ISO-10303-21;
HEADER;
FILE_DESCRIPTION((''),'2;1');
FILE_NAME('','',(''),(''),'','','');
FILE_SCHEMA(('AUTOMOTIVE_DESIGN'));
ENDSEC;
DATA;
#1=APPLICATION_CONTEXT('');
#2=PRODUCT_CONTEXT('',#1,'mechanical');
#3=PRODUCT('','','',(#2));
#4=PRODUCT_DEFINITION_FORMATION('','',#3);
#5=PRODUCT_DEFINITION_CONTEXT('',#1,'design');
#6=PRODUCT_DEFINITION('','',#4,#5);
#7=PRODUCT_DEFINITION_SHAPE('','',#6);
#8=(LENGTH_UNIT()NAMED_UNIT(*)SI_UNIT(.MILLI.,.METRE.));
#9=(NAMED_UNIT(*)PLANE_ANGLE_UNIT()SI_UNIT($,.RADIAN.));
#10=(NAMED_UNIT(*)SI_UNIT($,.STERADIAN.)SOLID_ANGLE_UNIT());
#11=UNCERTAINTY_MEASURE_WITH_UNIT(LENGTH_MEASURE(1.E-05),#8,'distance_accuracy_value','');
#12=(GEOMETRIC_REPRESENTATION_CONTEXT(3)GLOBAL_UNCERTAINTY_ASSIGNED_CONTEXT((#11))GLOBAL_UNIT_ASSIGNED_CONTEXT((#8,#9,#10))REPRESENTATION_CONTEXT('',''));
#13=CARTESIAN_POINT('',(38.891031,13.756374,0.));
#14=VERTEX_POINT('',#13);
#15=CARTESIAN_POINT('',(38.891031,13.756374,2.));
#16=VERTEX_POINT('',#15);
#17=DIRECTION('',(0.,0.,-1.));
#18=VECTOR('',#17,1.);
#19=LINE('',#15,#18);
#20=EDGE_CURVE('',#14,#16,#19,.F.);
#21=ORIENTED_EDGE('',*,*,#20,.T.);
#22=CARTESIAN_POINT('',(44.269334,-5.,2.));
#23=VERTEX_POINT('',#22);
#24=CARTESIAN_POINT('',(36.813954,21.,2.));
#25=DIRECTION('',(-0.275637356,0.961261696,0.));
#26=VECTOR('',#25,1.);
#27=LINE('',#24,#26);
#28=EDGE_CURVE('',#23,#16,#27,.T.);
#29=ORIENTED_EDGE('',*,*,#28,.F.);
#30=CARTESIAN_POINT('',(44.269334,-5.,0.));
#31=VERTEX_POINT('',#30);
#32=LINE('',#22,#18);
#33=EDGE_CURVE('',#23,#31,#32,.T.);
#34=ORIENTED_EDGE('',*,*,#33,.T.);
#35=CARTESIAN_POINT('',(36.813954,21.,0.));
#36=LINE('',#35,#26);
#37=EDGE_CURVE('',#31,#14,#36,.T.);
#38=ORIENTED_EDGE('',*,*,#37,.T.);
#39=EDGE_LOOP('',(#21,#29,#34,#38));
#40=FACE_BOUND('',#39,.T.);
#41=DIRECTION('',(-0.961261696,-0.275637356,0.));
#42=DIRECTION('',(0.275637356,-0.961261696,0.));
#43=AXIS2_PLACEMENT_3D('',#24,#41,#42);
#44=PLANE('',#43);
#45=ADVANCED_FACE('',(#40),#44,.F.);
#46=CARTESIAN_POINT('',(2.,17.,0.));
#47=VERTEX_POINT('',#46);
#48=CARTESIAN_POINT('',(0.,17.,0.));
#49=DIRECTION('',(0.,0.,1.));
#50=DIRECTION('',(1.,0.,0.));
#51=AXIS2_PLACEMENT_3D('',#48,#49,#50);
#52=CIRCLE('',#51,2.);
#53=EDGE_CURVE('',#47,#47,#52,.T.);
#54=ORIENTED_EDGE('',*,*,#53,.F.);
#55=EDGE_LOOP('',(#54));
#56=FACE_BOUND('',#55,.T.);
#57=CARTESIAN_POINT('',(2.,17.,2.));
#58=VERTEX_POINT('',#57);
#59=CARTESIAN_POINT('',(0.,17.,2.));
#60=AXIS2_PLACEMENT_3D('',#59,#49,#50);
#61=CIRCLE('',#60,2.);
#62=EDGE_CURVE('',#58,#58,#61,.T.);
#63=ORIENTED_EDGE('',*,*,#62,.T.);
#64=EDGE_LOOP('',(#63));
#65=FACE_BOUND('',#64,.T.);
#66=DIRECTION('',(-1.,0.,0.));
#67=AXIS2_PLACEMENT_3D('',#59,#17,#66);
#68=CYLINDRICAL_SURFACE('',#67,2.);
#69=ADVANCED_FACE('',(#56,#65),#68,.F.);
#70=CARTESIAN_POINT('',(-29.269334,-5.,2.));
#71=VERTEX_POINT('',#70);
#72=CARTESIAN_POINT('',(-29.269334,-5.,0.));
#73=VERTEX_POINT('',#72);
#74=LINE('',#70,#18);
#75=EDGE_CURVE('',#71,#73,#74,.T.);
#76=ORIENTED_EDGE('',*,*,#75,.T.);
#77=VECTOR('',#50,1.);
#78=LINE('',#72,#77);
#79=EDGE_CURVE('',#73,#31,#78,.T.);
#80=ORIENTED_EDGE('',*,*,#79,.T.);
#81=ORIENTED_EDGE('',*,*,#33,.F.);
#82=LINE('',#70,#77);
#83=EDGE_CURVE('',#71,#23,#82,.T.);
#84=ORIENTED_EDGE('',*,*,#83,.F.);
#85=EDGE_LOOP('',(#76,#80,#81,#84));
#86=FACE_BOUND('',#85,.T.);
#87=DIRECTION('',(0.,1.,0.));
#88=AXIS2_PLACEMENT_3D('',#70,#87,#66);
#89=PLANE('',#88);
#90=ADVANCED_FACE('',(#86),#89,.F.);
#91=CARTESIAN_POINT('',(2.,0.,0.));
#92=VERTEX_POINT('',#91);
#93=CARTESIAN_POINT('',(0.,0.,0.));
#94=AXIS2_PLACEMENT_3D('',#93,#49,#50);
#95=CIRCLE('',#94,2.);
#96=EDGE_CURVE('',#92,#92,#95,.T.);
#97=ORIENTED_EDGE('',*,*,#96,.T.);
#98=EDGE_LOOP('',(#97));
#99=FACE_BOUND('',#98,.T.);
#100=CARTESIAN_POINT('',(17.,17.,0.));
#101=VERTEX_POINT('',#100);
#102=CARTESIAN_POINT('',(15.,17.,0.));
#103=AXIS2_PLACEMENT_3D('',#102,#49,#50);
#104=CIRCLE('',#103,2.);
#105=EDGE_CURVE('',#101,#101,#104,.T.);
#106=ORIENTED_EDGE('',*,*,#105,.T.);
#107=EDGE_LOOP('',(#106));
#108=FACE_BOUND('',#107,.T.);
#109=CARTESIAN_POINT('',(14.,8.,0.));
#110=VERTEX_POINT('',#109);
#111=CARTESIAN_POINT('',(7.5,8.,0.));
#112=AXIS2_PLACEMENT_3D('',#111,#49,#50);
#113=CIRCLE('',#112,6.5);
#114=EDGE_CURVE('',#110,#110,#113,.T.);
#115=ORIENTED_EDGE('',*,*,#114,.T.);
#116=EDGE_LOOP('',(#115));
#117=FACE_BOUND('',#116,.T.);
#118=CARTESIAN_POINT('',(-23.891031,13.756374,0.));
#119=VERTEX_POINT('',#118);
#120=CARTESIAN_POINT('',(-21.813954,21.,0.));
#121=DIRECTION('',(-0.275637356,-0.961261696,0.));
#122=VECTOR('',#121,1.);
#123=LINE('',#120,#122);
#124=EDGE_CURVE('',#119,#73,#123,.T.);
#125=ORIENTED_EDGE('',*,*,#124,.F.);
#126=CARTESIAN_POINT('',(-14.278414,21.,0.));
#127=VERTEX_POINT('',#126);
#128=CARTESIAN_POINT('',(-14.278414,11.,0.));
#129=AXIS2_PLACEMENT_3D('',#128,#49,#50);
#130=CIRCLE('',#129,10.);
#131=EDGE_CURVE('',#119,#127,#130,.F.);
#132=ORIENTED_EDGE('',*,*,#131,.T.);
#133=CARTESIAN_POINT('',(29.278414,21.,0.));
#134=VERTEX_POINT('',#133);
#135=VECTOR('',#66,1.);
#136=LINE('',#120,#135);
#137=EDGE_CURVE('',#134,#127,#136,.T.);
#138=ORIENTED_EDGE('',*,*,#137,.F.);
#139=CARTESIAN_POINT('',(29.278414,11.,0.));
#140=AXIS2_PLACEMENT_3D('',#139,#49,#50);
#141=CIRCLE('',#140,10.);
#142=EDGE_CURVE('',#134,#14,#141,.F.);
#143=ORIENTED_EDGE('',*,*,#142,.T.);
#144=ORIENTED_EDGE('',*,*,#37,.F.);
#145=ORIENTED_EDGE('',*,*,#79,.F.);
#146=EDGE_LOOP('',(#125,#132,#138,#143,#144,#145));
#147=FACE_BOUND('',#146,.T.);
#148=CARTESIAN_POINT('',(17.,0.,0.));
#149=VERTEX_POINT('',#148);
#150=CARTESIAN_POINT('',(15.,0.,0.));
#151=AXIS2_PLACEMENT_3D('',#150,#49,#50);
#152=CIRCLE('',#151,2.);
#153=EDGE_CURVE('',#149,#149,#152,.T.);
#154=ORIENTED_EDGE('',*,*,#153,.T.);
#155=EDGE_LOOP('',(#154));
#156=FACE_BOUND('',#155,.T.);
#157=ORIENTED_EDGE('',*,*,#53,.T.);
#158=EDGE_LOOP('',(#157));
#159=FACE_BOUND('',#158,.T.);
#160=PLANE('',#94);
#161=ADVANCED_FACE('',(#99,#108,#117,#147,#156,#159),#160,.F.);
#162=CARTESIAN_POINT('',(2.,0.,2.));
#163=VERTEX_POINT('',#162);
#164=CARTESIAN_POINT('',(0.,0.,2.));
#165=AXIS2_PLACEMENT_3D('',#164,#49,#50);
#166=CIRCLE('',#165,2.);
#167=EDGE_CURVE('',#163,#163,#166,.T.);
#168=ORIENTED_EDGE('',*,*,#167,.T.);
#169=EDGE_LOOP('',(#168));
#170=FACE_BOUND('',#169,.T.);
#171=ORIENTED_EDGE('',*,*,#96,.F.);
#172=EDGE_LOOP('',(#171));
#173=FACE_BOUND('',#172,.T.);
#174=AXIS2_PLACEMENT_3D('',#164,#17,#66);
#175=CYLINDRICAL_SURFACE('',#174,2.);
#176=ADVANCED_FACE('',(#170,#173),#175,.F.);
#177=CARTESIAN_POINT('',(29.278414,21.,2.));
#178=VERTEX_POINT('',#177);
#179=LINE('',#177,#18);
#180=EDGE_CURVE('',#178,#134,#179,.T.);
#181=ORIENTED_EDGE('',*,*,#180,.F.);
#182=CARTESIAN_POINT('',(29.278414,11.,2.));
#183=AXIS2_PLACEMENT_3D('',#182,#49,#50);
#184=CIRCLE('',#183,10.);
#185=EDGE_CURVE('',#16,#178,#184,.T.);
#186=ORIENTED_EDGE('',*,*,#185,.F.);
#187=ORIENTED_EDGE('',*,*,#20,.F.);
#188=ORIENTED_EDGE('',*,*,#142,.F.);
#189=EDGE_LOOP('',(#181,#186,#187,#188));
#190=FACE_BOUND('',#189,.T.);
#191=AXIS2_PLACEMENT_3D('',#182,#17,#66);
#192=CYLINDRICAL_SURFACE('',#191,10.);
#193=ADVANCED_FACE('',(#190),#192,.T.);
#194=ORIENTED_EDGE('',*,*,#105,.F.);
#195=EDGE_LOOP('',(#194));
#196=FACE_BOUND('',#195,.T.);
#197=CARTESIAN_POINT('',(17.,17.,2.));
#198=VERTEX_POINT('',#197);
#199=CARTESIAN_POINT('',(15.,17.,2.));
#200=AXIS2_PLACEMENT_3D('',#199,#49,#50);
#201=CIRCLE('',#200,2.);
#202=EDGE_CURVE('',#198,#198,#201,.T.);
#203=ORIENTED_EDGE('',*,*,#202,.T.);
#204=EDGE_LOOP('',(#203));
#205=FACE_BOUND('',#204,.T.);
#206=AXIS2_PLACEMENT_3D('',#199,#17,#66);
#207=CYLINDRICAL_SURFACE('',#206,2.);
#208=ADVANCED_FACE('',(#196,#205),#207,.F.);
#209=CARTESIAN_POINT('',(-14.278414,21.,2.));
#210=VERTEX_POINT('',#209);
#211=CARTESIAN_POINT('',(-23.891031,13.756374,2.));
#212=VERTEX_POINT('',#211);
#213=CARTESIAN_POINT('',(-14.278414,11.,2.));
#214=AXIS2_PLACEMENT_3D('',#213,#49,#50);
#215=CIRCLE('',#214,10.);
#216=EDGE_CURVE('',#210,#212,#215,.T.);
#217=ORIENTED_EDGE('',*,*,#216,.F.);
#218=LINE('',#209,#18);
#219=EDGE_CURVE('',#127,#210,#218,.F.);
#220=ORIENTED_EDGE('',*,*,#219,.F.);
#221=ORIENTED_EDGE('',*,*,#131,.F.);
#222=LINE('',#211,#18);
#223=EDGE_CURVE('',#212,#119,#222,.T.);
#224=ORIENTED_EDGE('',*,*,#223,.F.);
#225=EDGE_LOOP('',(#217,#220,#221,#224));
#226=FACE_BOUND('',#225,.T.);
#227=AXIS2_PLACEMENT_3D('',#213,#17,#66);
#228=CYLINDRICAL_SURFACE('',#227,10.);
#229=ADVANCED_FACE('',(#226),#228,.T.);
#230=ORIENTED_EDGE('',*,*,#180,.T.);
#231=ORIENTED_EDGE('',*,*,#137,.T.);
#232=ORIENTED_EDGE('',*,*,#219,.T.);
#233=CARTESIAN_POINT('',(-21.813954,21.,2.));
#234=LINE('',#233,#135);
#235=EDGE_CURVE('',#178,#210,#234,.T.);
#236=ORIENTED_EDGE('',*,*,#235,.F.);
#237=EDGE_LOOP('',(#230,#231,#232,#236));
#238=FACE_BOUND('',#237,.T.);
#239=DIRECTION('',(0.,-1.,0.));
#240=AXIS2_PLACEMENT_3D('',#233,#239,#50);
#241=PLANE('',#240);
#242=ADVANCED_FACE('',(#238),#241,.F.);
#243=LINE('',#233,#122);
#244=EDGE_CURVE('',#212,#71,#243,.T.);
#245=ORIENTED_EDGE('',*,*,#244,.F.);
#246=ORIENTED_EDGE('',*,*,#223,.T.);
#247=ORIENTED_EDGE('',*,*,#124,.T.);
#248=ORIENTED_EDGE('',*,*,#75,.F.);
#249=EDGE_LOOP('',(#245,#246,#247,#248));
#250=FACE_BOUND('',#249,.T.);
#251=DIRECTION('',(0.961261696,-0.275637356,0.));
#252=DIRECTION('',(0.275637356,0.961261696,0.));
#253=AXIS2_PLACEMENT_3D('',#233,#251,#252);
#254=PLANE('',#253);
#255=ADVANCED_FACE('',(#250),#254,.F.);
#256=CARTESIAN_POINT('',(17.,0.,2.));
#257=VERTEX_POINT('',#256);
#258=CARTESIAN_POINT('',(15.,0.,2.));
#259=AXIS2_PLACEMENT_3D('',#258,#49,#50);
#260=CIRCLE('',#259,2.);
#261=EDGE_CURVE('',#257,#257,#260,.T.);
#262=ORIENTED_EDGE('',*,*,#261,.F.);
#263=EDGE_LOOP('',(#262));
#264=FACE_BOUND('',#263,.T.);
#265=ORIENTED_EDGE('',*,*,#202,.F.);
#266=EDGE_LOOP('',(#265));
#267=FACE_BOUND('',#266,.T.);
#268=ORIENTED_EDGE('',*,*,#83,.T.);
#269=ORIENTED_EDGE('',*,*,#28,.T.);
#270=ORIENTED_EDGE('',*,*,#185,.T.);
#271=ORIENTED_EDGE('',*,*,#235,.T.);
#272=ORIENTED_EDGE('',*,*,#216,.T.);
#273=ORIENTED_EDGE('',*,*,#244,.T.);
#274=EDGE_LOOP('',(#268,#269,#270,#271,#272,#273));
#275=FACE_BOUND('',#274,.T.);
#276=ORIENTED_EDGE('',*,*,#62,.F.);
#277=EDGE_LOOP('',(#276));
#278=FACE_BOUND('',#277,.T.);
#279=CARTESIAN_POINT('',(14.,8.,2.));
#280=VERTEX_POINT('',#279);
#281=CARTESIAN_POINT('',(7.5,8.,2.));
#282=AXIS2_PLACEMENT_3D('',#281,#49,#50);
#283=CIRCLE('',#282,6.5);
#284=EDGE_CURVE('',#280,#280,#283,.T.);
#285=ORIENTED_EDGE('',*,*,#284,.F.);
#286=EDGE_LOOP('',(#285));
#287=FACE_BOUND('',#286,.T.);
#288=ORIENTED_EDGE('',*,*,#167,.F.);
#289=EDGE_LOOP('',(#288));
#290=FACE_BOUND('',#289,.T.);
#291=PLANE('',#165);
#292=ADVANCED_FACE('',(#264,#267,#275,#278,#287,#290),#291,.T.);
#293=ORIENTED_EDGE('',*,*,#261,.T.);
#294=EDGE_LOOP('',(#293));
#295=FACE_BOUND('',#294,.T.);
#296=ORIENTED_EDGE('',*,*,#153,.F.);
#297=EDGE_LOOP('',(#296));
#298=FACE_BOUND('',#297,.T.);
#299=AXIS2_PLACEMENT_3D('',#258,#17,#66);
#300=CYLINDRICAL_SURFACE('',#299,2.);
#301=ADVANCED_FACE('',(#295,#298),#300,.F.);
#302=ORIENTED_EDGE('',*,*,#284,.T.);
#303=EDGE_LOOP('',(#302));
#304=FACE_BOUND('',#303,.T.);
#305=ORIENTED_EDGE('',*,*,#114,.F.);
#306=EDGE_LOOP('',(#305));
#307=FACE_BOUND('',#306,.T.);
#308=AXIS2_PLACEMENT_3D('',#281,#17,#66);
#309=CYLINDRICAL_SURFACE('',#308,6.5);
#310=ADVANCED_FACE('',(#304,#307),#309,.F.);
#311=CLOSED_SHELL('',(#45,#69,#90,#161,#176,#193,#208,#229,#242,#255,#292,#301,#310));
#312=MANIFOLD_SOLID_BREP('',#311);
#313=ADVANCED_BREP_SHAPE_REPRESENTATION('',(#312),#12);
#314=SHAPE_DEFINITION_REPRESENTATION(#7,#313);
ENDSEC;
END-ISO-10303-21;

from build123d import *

# Parameters (mm, degrees)
SKETCH_1_R      = 2
SKETCH_1_R_2    = 6.5
EXTRUDE_1_DEPTH = 2
FILLET_1_R      = 10


with BuildPart() as part:
    # 草图1 → 凸台-拉伸1 (new body)
    with BuildSketch(Plane.XY):
        Polygon((-29.269334238, -5), (44.269334238, -5), (36.813954208, 21), (-21.813954208, 21), align=None)
        with Locations((15, 17)):
            Circle(SKETCH_1_R, mode=Mode.SUBTRACT)
        with Locations((15, 0)):
            Circle(SKETCH_1_R, mode=Mode.SUBTRACT)
        Circle(SKETCH_1_R, mode=Mode.SUBTRACT)
        with Locations((0, 17)):
            Circle(SKETCH_1_R, mode=Mode.SUBTRACT)
        with Locations((7.5, 8)):
            Circle(SKETCH_1_R_2, mode=Mode.SUBTRACT)
    extrude(amount=EXTRUDE_1_DEPTH)

    # 圆角1
    fillet_1_edges = [part.edges().sort_by_distance(p)[0] for p in [
        (-21.813954208, 21, 1),
        (36.813954208, 21, 1),
    ]]
    fillet(fillet_1_edges, radius=FILLET_1_R)


solid = part.part
